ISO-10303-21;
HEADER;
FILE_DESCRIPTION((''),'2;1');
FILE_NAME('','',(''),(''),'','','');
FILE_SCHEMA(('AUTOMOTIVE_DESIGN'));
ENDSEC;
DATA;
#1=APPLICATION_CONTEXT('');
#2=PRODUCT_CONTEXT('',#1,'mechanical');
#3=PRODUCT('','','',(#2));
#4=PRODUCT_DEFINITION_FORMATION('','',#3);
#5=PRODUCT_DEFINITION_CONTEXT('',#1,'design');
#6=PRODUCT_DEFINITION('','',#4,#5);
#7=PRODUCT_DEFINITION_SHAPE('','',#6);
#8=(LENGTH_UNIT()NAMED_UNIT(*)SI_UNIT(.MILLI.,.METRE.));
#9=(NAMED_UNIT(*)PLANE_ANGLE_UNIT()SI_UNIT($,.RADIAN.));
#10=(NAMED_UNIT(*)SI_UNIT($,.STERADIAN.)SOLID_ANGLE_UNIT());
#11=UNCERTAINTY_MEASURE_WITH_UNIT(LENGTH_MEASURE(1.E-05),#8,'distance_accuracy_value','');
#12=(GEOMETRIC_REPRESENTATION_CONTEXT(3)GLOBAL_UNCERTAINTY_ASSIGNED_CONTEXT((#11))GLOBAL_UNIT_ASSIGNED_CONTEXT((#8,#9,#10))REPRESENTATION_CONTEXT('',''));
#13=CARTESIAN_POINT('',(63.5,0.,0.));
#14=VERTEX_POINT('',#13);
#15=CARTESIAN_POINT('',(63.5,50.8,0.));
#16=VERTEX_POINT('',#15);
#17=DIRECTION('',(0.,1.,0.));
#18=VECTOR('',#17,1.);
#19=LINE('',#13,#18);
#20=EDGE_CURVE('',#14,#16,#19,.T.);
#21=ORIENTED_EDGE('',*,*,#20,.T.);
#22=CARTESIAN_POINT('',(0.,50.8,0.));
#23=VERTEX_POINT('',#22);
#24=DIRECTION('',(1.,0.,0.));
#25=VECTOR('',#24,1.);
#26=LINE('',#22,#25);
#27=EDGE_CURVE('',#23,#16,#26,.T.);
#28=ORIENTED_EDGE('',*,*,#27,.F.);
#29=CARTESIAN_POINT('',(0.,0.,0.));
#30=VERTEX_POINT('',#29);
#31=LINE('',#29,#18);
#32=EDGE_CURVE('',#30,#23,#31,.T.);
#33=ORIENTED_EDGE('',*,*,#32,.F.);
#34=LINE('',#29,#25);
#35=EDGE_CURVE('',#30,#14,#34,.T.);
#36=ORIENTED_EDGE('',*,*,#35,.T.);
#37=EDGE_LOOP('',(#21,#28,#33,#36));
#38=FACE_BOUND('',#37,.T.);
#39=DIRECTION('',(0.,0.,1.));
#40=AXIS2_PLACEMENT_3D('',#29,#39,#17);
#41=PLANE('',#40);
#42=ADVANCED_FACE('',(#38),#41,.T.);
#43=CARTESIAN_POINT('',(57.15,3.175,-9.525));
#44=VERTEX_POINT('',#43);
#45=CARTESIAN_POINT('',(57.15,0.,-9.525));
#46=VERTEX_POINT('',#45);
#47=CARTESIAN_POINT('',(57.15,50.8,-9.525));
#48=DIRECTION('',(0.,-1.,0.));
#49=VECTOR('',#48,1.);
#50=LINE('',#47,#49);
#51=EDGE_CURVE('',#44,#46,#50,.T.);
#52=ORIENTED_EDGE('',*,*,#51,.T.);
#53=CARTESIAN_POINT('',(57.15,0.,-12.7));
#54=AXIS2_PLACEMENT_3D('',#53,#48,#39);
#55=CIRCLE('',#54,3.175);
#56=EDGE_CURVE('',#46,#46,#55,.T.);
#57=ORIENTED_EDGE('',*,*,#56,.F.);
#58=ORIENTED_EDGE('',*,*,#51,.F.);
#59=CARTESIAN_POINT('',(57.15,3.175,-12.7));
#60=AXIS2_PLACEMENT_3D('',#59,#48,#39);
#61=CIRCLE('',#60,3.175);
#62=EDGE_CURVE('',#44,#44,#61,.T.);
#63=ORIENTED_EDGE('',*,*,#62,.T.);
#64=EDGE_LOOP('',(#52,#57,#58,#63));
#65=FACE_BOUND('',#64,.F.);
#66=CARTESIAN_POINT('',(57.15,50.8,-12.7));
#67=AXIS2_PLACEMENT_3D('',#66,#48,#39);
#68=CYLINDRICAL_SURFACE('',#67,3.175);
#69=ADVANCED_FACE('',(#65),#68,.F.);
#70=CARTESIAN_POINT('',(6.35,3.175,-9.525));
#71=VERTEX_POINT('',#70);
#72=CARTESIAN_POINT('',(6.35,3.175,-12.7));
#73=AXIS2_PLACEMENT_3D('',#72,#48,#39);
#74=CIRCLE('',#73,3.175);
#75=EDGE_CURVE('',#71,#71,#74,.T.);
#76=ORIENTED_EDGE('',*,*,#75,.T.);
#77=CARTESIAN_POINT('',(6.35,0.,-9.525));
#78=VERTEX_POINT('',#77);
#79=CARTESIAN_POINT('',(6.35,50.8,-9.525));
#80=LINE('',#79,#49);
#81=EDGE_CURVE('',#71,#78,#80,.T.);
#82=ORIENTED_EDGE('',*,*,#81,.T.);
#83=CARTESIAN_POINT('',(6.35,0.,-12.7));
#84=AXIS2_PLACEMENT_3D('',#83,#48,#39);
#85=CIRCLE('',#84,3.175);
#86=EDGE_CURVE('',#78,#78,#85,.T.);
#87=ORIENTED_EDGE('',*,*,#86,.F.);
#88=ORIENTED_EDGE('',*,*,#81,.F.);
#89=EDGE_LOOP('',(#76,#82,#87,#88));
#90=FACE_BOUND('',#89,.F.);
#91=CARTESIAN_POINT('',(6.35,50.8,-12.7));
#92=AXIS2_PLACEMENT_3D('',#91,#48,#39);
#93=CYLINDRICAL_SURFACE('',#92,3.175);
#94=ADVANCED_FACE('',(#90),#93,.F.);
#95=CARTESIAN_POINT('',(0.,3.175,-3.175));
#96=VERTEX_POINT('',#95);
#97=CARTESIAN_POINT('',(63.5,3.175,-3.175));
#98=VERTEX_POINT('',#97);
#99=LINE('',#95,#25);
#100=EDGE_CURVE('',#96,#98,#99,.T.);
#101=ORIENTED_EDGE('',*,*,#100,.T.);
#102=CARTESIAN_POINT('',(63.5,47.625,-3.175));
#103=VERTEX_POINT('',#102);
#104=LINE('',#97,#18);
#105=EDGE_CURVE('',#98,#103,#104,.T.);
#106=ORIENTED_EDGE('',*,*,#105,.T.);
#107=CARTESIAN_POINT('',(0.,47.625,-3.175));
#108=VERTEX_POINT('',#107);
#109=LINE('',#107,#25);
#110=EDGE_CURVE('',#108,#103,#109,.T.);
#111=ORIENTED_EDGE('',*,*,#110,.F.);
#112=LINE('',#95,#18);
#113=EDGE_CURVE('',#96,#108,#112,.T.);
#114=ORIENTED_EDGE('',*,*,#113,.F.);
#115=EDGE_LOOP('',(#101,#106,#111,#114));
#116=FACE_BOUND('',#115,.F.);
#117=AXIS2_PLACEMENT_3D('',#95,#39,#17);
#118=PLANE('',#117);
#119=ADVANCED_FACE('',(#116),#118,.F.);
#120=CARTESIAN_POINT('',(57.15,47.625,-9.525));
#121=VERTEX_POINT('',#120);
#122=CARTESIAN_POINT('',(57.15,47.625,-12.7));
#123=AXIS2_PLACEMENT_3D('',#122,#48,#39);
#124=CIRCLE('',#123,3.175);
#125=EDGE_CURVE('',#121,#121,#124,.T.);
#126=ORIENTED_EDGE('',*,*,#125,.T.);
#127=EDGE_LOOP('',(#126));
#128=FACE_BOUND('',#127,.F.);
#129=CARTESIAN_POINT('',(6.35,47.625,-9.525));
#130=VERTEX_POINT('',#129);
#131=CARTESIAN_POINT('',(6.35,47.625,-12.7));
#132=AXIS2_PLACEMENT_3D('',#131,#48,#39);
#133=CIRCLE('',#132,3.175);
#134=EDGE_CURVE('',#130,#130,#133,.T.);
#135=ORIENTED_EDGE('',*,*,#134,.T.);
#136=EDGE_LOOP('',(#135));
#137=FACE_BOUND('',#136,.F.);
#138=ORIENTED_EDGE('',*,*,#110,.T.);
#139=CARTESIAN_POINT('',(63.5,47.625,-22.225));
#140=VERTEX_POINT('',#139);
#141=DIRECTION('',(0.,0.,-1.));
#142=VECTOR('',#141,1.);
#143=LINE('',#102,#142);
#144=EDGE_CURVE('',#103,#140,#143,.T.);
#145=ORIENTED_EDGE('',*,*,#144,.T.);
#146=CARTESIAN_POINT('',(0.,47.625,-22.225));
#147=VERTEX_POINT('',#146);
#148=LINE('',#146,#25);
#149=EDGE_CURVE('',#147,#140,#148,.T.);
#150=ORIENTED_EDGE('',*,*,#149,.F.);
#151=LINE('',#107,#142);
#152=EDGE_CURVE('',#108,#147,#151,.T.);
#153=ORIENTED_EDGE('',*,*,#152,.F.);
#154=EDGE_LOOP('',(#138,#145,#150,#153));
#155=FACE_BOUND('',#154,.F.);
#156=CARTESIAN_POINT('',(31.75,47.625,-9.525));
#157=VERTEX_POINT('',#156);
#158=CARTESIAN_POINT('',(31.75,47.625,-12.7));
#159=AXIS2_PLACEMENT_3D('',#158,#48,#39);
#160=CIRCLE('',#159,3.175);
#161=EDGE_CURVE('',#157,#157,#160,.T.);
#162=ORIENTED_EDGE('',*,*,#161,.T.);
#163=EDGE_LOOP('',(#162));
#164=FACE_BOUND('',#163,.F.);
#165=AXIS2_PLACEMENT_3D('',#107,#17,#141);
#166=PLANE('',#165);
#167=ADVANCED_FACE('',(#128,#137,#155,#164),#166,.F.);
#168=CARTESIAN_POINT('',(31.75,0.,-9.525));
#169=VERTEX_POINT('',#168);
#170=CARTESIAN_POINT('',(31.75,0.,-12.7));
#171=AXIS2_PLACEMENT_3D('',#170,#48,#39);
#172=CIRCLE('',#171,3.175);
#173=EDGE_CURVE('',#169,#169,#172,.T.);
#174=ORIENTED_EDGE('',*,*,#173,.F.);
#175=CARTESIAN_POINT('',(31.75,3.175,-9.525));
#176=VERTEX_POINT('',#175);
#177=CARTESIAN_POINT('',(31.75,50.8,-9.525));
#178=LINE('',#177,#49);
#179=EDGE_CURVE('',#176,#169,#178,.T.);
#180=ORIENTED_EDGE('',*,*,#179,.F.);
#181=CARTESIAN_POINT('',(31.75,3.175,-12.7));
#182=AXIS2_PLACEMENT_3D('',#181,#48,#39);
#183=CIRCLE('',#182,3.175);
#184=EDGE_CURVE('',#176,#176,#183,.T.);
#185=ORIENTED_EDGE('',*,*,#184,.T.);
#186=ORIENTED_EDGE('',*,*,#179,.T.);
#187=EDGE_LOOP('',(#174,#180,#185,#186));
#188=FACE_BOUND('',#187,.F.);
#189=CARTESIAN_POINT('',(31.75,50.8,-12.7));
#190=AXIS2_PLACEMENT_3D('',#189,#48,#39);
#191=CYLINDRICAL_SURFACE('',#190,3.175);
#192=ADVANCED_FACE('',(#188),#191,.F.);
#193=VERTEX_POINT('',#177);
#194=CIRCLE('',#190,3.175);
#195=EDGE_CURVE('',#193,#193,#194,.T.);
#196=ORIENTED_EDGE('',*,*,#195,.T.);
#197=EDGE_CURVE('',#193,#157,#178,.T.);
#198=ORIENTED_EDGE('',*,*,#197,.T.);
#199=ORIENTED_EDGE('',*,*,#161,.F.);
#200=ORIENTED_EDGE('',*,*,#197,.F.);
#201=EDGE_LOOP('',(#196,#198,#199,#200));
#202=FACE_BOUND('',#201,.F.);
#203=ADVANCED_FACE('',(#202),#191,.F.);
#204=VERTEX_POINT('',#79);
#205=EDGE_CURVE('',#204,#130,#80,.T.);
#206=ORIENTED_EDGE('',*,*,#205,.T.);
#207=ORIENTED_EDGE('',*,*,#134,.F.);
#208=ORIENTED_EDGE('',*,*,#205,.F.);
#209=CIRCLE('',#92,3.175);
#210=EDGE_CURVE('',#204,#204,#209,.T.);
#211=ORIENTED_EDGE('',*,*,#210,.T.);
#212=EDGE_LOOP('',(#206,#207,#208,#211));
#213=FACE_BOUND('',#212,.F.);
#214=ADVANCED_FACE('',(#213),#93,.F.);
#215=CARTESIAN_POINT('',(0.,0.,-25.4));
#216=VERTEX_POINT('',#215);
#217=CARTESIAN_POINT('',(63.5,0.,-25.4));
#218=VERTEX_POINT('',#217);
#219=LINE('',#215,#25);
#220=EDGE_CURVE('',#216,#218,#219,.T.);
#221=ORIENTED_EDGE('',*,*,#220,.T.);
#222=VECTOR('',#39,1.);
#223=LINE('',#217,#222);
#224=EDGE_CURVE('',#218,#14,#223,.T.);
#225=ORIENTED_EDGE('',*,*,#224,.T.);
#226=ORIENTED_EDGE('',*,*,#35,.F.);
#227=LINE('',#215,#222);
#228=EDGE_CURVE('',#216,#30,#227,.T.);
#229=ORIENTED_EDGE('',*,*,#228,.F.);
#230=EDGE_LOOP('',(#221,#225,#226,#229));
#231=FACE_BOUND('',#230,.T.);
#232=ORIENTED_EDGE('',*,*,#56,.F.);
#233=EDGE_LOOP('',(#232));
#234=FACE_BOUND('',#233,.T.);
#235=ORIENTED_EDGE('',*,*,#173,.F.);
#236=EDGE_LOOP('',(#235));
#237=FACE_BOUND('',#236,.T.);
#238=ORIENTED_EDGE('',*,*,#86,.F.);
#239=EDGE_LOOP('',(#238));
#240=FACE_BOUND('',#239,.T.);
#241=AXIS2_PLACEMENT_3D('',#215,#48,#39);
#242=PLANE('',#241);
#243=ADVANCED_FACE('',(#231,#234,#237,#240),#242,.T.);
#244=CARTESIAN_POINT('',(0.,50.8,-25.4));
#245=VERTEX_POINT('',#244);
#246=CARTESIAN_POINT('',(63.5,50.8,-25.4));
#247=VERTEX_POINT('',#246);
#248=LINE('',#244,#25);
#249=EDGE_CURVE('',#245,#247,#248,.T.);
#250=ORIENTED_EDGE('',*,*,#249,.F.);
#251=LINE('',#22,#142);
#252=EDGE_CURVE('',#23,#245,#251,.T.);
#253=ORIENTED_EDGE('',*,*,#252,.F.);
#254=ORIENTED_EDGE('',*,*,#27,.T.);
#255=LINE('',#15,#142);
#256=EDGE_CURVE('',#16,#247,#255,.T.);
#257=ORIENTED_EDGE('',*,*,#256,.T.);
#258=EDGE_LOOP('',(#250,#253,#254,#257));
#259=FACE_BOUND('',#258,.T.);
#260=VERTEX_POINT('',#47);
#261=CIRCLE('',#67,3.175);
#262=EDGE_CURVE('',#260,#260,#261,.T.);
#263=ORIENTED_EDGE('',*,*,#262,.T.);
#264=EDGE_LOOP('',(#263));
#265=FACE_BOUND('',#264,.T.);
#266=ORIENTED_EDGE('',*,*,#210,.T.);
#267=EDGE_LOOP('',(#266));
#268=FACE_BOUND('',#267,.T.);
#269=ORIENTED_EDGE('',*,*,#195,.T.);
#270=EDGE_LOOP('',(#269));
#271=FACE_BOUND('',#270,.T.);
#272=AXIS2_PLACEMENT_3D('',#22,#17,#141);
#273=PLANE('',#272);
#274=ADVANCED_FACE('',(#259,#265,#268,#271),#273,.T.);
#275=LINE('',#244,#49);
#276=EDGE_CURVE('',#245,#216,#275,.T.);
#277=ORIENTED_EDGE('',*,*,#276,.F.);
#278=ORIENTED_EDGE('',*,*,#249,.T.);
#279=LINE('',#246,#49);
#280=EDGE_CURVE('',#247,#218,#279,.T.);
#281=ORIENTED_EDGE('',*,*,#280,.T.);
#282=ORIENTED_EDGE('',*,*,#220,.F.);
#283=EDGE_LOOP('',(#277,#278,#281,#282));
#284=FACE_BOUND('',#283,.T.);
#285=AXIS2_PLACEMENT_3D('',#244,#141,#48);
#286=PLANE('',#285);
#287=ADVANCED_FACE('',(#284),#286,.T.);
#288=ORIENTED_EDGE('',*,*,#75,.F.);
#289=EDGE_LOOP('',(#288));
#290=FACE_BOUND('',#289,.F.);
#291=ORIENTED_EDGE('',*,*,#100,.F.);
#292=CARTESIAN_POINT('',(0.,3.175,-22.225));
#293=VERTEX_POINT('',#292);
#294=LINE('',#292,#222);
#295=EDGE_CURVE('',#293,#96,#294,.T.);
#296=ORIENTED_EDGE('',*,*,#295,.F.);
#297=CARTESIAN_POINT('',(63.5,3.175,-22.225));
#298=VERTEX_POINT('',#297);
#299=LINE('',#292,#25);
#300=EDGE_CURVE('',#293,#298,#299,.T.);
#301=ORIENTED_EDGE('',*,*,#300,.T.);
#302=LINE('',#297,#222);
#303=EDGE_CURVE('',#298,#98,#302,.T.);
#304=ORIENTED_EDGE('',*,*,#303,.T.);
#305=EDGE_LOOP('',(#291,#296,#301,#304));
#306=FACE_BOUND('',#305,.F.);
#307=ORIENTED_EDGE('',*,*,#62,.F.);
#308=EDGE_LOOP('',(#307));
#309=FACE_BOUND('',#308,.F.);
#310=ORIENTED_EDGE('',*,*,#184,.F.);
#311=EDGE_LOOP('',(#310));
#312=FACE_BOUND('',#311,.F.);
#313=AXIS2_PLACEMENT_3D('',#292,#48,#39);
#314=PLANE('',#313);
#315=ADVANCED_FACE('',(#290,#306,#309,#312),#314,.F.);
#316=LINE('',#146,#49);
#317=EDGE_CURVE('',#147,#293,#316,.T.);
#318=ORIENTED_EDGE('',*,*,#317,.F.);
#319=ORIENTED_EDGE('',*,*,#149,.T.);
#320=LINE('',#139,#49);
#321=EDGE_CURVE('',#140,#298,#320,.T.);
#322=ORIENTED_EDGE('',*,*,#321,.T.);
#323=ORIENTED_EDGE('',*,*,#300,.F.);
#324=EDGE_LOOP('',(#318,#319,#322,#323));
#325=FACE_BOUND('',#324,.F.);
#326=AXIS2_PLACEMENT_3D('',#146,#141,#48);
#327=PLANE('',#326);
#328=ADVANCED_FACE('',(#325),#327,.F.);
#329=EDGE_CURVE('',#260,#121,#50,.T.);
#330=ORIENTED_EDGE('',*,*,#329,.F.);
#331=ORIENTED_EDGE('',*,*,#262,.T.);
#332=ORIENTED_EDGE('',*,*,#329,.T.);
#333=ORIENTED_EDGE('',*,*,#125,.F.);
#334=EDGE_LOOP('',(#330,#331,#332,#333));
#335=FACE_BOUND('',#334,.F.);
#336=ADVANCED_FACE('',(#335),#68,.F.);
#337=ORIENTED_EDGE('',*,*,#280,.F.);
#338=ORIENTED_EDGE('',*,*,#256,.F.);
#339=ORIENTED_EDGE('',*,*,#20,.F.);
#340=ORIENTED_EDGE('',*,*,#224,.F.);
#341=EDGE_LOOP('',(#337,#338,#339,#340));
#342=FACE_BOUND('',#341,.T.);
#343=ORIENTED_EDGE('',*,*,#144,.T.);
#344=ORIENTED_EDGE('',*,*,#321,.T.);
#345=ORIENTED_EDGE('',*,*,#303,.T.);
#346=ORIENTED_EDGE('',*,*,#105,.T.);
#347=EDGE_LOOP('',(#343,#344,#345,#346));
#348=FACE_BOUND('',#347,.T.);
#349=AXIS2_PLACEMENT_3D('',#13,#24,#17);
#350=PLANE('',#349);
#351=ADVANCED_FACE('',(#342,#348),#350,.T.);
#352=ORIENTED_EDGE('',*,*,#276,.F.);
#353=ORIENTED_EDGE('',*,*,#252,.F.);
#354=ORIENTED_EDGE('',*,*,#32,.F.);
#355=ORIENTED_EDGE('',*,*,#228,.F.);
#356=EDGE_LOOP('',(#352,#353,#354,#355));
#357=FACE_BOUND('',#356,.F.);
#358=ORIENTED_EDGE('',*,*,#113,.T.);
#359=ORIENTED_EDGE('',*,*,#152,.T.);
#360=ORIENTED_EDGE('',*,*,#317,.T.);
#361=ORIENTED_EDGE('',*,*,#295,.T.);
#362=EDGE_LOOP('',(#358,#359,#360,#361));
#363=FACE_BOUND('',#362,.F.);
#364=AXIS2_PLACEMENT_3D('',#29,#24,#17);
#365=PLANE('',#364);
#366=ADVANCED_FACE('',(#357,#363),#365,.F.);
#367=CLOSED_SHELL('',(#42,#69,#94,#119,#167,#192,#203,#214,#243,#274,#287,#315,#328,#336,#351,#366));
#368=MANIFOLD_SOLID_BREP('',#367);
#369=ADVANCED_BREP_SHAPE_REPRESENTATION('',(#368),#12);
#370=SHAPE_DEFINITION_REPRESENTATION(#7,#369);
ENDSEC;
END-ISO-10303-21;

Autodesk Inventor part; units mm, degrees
ref_plane "YZ Plane" through (0, 0, 0) normal (1, 0, 0) x (0, 1, 0)
ref_plane "XZ Plane" through (0, 0, 0) normal (0, 1, 0) x (-1, 0, 0)
ref_plane "XY Plane" through (0, 0, 0) normal (0, 0, 1) x (1, 0, 0)
sketch "Sketch1" plane through (0, 0, 0) normal (1, 0, 0) x (0, 1, 0)
  line L0 (0, 0) -> (50.8, 0)
  line L1 (50.8, 0) -> (50.8, -25.4)
  line L2 (50.8, -25.4) -> (0, -25.4)
  line L3 (0, -25.4) -> (0, 0)
  line L4 (3.175, -3.175) -> (47.625, -3.175)
  line L5 (47.625, -3.175) -> (47.625, -22.225)
  line L6 (47.625, -22.225) -> (3.175, -22.225)
  line L7 (3.175, -22.225) -> (3.175, -3.175)
  dimension "d0" = 50.8
  dimension "d1" = 25.4
  dimension "d2" = 44.45
  dimension "d3" = 19.05
  dimension "d4" = 3.175
  dimension "d5" = 3.175
extrude "Extrusion1" add sketch "Sketch1" along normal blind 63.5
sketch "Sketch2" plane through (0, 50.8, 0) normal (0, 1, 0) x (1, 0, 0)
  line L0 (0, 0) -> (63.5, 0) projected
  line L1 (63.5, 25.4) -> (63.5, 0) projected
  point P0 (57.15, 12.7)
  point P1 (31.75, 12.7)
  point P2 (6.35, 12.7)
  dimension "d8" = 6.35
  dimension "d9" = 31.75
  dimension "d10" = 57.15
  dimension "d11" = 12.7
  dimension "d12" = 12.7
  dimension "d13" = 12.7
hole "Hole1" at (57.15, 50.8, -12.7) at (31.75, 50.8, -12.7) at (6.35, 50.8, -12.7) direction (0, -1, 0) diameter 6.35 end through all
properties part number "back roller 2x1"
